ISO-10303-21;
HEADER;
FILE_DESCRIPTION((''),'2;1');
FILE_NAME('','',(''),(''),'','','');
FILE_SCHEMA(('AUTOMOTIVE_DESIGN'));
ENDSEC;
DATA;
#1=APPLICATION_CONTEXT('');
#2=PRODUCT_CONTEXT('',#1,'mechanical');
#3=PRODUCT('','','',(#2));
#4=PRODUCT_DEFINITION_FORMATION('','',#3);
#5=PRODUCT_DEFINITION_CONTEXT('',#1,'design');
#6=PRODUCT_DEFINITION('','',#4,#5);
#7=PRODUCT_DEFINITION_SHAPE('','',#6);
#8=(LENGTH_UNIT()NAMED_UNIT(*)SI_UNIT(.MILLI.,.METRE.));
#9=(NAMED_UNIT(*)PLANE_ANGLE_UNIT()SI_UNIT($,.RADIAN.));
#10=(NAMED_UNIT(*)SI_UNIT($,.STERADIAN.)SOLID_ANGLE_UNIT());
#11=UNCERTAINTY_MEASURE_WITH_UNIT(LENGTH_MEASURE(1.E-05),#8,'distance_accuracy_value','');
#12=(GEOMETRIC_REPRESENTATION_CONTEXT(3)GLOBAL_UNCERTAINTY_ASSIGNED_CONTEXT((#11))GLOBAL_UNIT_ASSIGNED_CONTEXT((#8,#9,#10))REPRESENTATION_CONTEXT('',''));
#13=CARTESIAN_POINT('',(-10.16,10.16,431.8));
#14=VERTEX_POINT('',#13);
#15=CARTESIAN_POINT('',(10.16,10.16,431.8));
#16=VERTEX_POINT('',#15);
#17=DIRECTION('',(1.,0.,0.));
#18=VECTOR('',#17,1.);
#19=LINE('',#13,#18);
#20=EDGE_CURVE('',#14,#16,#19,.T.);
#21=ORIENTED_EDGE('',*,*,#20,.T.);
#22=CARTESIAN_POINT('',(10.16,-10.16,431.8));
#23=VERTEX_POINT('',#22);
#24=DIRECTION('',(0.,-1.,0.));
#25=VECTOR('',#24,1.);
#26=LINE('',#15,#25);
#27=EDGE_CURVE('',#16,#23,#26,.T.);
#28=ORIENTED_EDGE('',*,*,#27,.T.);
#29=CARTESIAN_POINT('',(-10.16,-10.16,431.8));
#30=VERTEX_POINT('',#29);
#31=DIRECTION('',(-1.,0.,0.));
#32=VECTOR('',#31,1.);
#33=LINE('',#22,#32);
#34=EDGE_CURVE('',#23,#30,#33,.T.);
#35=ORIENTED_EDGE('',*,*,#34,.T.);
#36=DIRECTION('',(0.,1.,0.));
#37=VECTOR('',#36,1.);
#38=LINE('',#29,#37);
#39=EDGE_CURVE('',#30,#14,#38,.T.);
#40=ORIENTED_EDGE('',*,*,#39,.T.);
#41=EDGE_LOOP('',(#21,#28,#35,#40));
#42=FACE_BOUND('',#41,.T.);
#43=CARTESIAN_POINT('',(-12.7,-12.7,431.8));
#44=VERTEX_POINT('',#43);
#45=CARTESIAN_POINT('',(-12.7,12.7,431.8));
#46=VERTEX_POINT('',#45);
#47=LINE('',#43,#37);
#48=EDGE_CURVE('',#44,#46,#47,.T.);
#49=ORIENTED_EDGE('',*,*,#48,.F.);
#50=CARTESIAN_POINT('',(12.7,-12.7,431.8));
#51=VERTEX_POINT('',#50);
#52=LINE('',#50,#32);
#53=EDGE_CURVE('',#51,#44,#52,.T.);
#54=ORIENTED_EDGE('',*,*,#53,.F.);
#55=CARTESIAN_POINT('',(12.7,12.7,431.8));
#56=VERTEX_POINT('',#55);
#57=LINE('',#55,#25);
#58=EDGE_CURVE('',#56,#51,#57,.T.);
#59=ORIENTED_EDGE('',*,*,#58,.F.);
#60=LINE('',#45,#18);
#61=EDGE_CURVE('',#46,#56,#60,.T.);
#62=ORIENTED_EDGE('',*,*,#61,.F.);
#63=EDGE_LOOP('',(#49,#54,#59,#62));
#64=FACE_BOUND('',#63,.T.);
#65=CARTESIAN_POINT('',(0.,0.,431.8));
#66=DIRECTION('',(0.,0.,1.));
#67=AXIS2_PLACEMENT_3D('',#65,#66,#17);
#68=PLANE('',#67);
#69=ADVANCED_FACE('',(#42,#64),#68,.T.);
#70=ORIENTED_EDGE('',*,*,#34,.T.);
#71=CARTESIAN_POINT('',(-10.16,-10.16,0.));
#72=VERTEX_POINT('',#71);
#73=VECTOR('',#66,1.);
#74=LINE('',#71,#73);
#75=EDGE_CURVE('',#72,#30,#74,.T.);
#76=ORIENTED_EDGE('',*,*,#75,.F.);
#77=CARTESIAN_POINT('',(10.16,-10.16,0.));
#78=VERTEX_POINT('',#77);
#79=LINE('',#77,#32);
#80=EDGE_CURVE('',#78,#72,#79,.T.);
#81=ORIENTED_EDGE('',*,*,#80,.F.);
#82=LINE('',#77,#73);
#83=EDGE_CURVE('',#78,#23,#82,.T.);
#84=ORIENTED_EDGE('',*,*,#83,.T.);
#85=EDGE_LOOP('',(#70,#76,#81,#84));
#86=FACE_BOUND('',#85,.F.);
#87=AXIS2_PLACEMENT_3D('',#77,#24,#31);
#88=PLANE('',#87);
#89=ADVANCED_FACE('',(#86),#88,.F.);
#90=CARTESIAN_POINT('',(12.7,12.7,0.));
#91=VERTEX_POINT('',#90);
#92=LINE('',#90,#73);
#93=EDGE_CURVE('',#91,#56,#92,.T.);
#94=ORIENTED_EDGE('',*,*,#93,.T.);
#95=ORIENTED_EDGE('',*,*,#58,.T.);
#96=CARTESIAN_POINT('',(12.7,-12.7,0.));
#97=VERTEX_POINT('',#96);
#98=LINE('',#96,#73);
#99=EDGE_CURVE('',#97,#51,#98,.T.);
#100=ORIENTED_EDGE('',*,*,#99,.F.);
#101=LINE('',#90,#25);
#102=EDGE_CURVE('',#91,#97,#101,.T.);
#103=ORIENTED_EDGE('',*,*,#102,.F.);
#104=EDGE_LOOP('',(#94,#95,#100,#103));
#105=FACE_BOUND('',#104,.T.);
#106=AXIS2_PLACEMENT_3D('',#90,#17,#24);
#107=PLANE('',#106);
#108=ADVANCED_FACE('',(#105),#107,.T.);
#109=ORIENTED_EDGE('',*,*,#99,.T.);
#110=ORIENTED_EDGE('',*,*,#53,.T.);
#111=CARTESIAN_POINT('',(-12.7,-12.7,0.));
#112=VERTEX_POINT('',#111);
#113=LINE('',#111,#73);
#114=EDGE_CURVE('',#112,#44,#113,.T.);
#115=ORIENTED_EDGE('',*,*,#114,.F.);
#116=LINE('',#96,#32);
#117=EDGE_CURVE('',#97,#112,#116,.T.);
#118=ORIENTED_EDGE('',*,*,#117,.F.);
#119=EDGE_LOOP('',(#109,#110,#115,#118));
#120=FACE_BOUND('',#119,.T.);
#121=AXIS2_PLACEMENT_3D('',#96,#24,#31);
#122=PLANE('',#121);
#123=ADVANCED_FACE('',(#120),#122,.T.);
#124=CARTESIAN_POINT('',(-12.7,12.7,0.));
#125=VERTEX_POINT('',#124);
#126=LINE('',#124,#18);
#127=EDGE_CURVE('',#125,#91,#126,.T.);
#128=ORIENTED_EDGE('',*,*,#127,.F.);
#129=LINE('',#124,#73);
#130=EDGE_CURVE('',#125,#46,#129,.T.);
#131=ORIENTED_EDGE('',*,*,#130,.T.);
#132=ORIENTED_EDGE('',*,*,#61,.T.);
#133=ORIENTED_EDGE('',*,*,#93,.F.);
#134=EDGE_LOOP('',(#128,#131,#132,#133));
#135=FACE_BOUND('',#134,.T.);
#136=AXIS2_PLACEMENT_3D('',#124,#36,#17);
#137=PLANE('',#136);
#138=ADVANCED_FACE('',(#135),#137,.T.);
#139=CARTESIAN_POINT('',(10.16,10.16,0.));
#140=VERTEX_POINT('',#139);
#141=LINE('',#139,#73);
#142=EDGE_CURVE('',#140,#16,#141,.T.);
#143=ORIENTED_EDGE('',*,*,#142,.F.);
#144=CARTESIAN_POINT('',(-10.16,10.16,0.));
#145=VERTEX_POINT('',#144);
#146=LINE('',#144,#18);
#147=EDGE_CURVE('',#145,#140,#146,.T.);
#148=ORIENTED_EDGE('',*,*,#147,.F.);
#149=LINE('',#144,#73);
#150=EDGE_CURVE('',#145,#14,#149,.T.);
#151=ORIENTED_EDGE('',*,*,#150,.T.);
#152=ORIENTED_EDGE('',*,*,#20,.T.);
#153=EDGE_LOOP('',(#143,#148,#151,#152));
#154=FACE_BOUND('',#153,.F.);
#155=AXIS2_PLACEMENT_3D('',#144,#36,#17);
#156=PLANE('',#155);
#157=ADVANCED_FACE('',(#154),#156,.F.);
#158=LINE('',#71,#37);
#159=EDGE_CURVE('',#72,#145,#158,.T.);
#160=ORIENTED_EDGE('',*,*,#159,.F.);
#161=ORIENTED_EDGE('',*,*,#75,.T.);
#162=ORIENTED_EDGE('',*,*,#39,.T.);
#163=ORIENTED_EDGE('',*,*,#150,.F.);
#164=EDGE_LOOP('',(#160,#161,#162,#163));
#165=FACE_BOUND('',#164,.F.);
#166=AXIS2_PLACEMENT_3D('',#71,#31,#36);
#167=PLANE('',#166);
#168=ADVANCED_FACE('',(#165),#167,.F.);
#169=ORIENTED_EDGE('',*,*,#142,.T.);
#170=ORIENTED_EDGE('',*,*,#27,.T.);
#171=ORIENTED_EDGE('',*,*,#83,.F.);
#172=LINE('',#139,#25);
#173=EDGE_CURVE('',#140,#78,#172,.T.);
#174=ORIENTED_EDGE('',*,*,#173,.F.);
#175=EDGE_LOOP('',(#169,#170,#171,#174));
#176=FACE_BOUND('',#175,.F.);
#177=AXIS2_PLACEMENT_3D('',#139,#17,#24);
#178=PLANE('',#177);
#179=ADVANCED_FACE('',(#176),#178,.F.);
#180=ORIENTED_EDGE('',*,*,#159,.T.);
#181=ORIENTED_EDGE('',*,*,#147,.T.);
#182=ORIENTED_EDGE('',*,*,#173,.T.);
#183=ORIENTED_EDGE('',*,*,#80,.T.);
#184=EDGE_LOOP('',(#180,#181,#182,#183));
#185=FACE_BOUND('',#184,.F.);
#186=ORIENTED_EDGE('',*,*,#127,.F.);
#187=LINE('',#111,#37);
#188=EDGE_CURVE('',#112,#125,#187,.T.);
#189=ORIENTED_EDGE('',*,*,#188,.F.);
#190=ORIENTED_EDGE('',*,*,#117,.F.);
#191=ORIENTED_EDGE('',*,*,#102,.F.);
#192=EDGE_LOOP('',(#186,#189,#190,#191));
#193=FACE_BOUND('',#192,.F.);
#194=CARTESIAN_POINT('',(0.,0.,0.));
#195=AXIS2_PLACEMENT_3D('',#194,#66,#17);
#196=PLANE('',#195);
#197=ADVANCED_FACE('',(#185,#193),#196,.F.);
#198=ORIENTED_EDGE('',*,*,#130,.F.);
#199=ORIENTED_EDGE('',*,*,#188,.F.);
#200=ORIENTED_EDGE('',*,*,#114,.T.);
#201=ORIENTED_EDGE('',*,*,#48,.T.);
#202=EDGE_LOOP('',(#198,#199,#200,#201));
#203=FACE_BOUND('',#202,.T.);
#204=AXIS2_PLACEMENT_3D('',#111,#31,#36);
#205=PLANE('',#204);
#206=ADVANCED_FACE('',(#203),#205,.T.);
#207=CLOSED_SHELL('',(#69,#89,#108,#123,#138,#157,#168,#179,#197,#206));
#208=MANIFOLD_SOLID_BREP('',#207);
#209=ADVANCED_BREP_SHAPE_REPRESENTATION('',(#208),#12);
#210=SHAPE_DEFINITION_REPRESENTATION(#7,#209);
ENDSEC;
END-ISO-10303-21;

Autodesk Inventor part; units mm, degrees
ref_plane "YZ Plane" through (0, 0, 0) normal (1, 0, 0) x (0, 1, 0)
ref_plane "XZ Plane" through (0, 0, 0) normal (0, 1, 0) x (-1, 0, 0)
ref_plane "XY Plane" through (0, 0, 0) normal (0, 0, 1) x (1, 0, 0)
sketch "Sketch1" plane through (0, 0, 0) normal (0, 0, 1) x (1, 0, 0)
  line L0 (12.7, -12.7) -> (-12.7, -12.7) projected
  line L1 (12.7, 12.7) -> (12.7, -12.7) projected
  line L2 (-12.7, 12.7) -> (12.7, 12.7) projected
  line L3 (-12.7, -12.7) -> (-12.7, 12.7) projected
  line L4 (10.16, 10.16) -> (10.16, -10.16) projected
  line L5 (10.16, -10.16) -> (-10.16, -10.16) projected
  line L6 (-10.16, -10.16) -> (-10.16, 10.16) projected
  line L7 (-10.16, 10.16) -> (10.16, 10.16) projected
  point P0 (0, 0)
extrude "Extrusion1" add sketch "Sketch1" along normal blind 431.8
properties part number "Vertical frame Extension 2"
